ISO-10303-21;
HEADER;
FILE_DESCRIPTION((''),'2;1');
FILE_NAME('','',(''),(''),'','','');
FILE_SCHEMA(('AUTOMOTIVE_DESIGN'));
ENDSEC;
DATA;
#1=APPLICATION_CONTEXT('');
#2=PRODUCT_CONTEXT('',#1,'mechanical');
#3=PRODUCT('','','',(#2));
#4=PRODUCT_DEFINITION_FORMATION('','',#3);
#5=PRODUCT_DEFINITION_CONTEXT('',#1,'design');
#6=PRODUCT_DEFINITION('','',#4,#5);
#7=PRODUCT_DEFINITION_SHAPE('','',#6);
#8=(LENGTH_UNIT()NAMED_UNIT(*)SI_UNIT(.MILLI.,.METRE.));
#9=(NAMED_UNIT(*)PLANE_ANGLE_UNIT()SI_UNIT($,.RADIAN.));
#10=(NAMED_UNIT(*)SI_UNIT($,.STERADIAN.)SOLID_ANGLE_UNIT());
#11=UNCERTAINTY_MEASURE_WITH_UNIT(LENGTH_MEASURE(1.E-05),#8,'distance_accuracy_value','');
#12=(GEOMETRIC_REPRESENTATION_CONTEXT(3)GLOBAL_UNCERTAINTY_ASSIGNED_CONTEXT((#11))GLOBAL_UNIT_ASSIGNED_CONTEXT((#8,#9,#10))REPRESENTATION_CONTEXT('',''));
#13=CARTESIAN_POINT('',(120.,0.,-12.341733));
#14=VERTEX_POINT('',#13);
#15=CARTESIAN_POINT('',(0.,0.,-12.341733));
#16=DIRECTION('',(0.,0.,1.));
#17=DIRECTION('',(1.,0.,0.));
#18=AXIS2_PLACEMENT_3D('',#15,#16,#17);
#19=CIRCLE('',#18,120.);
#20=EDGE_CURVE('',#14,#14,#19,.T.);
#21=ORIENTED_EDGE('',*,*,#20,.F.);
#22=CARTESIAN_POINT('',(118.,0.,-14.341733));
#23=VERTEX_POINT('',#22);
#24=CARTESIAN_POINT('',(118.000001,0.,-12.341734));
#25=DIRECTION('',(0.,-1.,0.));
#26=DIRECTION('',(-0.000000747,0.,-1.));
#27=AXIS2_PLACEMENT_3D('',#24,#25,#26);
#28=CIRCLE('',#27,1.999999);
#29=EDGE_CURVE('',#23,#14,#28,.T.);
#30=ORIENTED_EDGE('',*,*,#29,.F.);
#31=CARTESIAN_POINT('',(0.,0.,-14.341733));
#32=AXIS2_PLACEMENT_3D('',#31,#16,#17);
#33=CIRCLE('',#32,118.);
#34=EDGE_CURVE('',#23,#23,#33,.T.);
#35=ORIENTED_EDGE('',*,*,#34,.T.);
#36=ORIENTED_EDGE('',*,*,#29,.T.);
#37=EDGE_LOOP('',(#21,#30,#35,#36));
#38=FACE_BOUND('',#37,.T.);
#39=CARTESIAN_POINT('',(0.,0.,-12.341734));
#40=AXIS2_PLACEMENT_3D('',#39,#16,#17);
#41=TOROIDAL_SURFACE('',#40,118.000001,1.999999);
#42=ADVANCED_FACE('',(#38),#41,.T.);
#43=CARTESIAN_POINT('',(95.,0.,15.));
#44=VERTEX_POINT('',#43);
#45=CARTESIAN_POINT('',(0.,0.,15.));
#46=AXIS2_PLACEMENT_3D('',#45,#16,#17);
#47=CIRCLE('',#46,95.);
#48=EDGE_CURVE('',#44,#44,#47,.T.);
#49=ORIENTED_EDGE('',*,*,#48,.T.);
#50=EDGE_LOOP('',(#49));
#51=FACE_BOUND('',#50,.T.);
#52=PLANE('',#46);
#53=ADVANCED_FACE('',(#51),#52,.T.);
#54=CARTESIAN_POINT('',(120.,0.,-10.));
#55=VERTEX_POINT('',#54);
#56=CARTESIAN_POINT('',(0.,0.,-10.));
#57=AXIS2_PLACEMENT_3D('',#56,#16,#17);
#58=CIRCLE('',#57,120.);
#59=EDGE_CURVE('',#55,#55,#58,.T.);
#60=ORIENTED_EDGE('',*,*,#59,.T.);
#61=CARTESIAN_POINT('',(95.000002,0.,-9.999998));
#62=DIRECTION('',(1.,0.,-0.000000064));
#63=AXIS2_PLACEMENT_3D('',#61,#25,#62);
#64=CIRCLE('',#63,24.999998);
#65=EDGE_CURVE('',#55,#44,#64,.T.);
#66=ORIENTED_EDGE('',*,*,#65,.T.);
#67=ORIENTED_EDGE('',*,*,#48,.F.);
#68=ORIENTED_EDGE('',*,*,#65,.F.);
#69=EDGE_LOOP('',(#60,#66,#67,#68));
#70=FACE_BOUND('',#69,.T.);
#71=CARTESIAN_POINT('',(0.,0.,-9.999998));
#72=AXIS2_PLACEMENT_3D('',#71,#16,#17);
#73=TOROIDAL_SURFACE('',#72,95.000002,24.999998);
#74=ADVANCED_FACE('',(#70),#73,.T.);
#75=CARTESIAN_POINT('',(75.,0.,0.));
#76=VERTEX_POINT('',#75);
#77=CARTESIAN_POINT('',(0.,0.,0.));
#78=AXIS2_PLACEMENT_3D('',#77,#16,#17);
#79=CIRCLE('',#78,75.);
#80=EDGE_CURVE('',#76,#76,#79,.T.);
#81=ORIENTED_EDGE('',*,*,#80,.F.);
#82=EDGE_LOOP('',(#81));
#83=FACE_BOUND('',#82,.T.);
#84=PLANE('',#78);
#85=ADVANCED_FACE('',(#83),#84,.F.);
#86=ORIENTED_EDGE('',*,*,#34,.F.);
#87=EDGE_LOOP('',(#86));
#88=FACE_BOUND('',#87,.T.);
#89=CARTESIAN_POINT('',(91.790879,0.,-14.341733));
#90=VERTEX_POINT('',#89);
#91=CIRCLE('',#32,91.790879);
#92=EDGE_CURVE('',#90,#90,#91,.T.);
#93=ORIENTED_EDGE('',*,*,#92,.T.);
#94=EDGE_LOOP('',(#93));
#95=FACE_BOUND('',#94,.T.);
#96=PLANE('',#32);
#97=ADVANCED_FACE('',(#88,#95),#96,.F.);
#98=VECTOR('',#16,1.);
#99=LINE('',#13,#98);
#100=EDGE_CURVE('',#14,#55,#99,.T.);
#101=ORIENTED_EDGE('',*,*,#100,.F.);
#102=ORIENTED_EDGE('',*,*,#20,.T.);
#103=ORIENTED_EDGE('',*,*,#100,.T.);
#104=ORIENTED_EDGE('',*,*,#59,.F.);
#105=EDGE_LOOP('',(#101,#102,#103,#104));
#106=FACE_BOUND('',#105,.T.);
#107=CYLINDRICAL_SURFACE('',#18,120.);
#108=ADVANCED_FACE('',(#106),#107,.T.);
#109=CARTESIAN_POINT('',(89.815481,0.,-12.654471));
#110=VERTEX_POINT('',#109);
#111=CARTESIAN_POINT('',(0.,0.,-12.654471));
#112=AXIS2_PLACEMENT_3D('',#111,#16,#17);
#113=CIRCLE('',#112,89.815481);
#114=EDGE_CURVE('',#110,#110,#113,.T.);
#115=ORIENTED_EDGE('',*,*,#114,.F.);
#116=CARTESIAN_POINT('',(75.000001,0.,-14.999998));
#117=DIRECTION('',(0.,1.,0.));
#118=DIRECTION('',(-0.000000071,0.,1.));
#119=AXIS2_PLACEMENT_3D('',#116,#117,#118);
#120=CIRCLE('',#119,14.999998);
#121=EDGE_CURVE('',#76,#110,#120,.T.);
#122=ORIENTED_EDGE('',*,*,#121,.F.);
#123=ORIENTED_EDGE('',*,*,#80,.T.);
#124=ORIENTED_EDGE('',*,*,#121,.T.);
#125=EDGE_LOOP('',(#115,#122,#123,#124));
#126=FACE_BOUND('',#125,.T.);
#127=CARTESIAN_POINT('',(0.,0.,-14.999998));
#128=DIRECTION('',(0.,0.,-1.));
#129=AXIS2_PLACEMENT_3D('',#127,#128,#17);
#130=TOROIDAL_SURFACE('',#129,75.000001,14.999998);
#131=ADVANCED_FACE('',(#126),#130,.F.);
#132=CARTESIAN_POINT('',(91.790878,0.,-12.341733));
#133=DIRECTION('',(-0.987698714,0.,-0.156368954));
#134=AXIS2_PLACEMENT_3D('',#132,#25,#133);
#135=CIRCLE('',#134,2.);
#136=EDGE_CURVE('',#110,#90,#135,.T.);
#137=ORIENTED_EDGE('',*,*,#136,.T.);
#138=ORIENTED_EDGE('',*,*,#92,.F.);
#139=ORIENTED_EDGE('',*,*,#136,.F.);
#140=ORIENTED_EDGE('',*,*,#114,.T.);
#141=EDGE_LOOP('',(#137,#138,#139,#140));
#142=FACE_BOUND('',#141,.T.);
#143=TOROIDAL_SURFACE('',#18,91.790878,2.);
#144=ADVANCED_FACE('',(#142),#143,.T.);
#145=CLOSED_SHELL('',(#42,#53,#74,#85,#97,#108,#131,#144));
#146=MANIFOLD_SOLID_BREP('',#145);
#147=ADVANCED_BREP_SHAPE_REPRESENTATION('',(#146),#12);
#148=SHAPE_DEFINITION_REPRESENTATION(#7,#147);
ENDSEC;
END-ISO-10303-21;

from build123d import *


with BuildPart() as f1:
    # F0 (on Front) → F1 (revolve)
    with BuildSketch(Plane.XZ):
        with BuildLine():
            Line((0, 15), (0, 0))
            Line((0, 0), (75, 0))
            ThreePointArc((75, 0), (84.742101, -3.594235), (89.815481, -12.654471))
            ThreePointArc((89.815481, -12.654471), (90.491932, -13.862502), (91.790879, -14.341733))
            Line((91.790879, -14.341733), (118, -14.341733))
            ThreePointArc((118, -14.341733), (119.414214, -13.755947), (120, -12.341733))
            Line((120, -12.341733), (120, -10))
            ThreePointArc((120, -10), (112.67767, 7.67767), (95, 15))
            Line((95, 15), (0, 15))
        make_face()
    revolve(axis=Axis((0, 0, 7.5), (0, 0, 1)))


solid = f1.part
